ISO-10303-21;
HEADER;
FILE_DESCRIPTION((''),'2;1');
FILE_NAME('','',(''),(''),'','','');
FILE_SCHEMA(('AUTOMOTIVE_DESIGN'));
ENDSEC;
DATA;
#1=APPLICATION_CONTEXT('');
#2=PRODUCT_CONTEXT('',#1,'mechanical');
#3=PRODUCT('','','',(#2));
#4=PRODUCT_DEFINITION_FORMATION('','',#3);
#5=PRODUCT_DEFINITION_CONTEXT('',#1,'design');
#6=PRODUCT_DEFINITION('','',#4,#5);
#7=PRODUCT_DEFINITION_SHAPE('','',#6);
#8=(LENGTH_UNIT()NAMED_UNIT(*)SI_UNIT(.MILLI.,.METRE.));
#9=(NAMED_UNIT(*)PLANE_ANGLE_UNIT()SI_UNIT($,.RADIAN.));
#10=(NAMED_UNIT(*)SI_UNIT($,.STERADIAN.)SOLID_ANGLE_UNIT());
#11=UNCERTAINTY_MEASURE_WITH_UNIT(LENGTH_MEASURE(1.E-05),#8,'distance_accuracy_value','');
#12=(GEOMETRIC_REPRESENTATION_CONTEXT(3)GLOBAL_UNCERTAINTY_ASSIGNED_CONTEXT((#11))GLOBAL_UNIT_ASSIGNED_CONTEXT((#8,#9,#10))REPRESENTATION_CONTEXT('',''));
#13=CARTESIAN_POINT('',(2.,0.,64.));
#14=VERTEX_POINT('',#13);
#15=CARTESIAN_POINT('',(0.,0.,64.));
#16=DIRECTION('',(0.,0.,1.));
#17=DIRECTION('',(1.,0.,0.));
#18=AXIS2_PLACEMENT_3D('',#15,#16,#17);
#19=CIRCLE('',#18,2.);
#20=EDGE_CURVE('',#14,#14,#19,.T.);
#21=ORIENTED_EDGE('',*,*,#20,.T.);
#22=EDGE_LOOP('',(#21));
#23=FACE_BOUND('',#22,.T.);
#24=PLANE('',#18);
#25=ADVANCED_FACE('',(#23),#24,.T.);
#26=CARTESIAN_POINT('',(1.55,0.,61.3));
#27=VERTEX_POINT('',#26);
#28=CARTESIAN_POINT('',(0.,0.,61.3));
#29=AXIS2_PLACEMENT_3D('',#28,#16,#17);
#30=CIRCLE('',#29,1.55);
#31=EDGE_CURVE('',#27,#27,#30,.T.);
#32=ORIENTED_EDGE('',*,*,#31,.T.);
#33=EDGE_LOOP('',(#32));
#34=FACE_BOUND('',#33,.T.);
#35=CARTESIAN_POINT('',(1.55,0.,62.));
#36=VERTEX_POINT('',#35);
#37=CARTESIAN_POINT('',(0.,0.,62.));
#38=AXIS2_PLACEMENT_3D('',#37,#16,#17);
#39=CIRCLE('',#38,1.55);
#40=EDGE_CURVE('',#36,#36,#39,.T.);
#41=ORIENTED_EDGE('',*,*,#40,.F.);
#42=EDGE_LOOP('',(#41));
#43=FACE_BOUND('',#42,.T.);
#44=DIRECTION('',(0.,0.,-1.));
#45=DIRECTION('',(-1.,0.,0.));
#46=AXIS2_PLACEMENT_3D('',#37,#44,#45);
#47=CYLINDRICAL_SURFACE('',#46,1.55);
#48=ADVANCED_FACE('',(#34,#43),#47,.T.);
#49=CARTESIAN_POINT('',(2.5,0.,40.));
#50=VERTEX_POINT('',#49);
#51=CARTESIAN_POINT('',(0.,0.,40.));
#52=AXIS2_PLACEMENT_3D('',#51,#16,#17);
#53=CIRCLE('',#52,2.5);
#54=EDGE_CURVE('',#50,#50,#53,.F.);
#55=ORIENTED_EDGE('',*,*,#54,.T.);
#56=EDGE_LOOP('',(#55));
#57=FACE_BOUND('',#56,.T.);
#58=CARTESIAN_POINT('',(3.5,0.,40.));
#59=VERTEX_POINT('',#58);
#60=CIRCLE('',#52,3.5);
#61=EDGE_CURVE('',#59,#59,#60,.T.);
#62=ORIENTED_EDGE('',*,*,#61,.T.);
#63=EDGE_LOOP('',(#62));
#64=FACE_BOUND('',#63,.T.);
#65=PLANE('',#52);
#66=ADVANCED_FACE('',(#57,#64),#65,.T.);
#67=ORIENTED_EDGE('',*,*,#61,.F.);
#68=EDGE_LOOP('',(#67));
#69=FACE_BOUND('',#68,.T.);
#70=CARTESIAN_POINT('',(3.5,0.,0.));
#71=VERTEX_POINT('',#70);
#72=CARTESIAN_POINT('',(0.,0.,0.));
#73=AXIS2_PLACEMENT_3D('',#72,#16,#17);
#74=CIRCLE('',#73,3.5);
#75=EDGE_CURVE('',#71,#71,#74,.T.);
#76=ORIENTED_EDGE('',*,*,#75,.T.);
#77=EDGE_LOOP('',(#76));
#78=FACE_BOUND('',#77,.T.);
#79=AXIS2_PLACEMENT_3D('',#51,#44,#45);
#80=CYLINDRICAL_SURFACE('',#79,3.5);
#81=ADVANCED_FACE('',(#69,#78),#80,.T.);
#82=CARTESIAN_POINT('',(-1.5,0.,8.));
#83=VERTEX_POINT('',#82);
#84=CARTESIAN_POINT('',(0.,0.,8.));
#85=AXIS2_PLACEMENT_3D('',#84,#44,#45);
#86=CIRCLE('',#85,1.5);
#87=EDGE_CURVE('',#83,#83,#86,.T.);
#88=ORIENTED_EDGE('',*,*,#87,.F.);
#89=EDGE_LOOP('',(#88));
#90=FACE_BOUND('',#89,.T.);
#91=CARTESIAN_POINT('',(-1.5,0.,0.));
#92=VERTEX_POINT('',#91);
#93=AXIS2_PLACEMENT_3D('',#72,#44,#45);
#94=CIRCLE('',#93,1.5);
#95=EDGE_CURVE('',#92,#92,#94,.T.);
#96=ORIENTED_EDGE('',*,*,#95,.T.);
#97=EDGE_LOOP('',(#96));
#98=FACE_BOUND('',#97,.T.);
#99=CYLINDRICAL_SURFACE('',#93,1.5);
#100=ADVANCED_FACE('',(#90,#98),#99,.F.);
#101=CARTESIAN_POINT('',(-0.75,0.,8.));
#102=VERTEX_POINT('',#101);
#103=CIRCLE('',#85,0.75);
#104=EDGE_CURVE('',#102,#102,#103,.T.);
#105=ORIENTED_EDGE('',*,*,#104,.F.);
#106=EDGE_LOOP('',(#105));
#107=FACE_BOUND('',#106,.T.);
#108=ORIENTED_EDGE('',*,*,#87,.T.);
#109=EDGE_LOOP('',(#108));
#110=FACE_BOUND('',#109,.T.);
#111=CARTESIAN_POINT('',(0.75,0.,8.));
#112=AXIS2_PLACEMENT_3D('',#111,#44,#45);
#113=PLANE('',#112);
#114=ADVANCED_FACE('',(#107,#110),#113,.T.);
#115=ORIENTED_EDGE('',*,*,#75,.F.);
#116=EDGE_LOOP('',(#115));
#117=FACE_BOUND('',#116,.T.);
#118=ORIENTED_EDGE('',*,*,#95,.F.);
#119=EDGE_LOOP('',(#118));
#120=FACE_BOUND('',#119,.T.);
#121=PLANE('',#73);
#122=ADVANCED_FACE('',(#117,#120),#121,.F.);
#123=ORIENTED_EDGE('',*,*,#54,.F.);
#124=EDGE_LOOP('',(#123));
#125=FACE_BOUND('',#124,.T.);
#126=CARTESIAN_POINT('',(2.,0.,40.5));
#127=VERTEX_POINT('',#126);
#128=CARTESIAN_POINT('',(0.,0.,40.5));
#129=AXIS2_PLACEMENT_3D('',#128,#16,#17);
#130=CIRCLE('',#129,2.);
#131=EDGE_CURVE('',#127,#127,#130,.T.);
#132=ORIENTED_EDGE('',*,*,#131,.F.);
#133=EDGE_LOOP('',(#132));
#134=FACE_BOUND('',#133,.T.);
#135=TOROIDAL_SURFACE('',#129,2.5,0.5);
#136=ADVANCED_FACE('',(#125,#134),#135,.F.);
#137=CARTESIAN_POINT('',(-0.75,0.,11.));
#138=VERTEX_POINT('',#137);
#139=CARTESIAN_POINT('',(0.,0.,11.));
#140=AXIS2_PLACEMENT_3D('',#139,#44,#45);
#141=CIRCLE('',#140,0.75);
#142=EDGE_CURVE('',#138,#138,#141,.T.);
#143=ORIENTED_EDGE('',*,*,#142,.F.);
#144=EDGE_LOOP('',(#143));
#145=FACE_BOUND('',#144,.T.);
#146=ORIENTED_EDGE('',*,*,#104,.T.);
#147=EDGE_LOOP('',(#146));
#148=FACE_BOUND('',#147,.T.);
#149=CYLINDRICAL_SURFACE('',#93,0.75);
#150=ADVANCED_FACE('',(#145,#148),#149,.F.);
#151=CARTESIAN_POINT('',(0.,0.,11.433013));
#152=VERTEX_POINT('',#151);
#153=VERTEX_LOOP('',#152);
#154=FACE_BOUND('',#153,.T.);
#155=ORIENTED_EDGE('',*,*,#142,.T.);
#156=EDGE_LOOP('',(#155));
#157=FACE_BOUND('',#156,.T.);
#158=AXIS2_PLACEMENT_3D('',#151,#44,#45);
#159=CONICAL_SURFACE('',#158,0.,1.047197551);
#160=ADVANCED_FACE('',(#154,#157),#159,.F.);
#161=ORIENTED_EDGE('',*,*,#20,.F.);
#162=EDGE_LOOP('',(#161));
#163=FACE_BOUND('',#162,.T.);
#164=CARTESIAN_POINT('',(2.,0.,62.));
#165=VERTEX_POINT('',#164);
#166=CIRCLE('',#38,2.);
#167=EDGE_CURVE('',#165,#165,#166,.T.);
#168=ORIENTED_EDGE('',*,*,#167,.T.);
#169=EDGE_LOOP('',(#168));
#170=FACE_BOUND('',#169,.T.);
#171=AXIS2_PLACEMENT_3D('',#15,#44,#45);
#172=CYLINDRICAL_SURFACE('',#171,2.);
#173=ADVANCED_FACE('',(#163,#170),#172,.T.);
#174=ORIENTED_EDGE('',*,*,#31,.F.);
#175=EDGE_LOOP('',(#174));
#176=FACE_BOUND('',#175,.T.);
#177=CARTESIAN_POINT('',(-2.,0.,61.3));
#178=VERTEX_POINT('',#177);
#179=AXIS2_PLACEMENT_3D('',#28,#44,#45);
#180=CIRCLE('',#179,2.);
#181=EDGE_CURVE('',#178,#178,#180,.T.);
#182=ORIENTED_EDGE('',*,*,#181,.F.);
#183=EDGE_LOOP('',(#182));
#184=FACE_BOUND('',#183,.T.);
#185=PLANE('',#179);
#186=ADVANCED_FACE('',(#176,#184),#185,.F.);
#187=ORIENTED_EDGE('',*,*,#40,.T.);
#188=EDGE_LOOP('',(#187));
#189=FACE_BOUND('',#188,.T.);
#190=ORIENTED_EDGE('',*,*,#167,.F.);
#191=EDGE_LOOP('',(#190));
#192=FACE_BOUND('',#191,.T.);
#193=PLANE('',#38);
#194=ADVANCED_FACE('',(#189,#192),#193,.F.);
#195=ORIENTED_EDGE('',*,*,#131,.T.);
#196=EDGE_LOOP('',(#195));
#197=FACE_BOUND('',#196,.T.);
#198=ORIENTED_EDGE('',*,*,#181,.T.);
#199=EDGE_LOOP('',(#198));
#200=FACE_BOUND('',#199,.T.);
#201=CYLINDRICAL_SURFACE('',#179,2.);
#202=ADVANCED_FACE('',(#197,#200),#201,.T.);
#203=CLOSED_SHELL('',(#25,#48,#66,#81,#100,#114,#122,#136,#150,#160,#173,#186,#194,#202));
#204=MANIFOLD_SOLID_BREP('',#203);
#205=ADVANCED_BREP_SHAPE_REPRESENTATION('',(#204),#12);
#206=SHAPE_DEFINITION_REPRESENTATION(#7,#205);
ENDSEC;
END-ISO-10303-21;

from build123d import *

# Parameters (mm, degrees)
ESQUISSE1_R          = 3.5
BASE_EXTRUSION_DEPTH = 40
ESQUISSE2_R          = 2
BOSS_EXTRU_1_DEPTH   = 61.3
ESQUISSE3_R          = 1.55
BOSS_EXTRU_2_DEPTH   = 0.7
ESQUISSE4_R          = 2
BOSS_EXTRU_3_DEPTH   = 2
CONG_1_R             = 0.5
PER_AGE1_D           = 1.5
PER_AGE1_DEPTH       = 11
PER_AGE1_CBORE_D     = 3
PER_AGE1_CBORE_DEPTH = 8
PER_AGE1_TIP         = 0.433012702


with BuildPart() as part:
    # Esquisse1 → Base-Extrusion (new body)
    with BuildSketch(Plane.XY):
        Circle(ESQUISSE1_R)
    extrude(amount=BASE_EXTRUSION_DEPTH)

    # Esquisse2 → Boss.-Extru.1 (add)
    with BuildSketch(Plane(origin=(0, 0, 0), x_dir=(-1, 0, 0), z_dir=(0, 0, -1))):
        Circle(ESQUISSE2_R)
    extrude(amount=-BOSS_EXTRU_1_DEPTH)

    # Esquisse3 → Boss.-Extru.2 (add)
    with BuildSketch(Plane.XY.offset(61.3)):
        Circle(ESQUISSE3_R)
    extrude(amount=BOSS_EXTRU_2_DEPTH)

    # Esquisse4 → Boss.-Extru.3 (add)
    with BuildSketch(Plane.XY.offset(62)):
        with Locations(Location((0, 0, 0), (0, 0, 180))):
            Circle(ESQUISSE4_R)
    extrude(amount=BOSS_EXTRU_3_DEPTH)

    # Congé1
    cong_1_edges = [part.edges().sort_by_distance(p)[0] for p in [
        (2, 0, 40),
    ]]
    fillet(cong_1_edges, radius=CONG_1_R)

    # Perçage1
    with Locations(Plane(origin=(0, 0, 0), x_dir=(-1, 0, 0), z_dir=(0, 0, -1))):
        with Locations((0, 0)):
            CounterBoreHole(PER_AGE1_D / 2, PER_AGE1_CBORE_D / 2, PER_AGE1_CBORE_DEPTH, depth=PER_AGE1_DEPTH)
            with Locations((0, 0, -(PER_AGE1_DEPTH + PER_AGE1_TIP / 2))):  # 120° drill point
                Cone(0, PER_AGE1_D / 2, PER_AGE1_TIP, mode=Mode.SUBTRACT)


solid = part.part
